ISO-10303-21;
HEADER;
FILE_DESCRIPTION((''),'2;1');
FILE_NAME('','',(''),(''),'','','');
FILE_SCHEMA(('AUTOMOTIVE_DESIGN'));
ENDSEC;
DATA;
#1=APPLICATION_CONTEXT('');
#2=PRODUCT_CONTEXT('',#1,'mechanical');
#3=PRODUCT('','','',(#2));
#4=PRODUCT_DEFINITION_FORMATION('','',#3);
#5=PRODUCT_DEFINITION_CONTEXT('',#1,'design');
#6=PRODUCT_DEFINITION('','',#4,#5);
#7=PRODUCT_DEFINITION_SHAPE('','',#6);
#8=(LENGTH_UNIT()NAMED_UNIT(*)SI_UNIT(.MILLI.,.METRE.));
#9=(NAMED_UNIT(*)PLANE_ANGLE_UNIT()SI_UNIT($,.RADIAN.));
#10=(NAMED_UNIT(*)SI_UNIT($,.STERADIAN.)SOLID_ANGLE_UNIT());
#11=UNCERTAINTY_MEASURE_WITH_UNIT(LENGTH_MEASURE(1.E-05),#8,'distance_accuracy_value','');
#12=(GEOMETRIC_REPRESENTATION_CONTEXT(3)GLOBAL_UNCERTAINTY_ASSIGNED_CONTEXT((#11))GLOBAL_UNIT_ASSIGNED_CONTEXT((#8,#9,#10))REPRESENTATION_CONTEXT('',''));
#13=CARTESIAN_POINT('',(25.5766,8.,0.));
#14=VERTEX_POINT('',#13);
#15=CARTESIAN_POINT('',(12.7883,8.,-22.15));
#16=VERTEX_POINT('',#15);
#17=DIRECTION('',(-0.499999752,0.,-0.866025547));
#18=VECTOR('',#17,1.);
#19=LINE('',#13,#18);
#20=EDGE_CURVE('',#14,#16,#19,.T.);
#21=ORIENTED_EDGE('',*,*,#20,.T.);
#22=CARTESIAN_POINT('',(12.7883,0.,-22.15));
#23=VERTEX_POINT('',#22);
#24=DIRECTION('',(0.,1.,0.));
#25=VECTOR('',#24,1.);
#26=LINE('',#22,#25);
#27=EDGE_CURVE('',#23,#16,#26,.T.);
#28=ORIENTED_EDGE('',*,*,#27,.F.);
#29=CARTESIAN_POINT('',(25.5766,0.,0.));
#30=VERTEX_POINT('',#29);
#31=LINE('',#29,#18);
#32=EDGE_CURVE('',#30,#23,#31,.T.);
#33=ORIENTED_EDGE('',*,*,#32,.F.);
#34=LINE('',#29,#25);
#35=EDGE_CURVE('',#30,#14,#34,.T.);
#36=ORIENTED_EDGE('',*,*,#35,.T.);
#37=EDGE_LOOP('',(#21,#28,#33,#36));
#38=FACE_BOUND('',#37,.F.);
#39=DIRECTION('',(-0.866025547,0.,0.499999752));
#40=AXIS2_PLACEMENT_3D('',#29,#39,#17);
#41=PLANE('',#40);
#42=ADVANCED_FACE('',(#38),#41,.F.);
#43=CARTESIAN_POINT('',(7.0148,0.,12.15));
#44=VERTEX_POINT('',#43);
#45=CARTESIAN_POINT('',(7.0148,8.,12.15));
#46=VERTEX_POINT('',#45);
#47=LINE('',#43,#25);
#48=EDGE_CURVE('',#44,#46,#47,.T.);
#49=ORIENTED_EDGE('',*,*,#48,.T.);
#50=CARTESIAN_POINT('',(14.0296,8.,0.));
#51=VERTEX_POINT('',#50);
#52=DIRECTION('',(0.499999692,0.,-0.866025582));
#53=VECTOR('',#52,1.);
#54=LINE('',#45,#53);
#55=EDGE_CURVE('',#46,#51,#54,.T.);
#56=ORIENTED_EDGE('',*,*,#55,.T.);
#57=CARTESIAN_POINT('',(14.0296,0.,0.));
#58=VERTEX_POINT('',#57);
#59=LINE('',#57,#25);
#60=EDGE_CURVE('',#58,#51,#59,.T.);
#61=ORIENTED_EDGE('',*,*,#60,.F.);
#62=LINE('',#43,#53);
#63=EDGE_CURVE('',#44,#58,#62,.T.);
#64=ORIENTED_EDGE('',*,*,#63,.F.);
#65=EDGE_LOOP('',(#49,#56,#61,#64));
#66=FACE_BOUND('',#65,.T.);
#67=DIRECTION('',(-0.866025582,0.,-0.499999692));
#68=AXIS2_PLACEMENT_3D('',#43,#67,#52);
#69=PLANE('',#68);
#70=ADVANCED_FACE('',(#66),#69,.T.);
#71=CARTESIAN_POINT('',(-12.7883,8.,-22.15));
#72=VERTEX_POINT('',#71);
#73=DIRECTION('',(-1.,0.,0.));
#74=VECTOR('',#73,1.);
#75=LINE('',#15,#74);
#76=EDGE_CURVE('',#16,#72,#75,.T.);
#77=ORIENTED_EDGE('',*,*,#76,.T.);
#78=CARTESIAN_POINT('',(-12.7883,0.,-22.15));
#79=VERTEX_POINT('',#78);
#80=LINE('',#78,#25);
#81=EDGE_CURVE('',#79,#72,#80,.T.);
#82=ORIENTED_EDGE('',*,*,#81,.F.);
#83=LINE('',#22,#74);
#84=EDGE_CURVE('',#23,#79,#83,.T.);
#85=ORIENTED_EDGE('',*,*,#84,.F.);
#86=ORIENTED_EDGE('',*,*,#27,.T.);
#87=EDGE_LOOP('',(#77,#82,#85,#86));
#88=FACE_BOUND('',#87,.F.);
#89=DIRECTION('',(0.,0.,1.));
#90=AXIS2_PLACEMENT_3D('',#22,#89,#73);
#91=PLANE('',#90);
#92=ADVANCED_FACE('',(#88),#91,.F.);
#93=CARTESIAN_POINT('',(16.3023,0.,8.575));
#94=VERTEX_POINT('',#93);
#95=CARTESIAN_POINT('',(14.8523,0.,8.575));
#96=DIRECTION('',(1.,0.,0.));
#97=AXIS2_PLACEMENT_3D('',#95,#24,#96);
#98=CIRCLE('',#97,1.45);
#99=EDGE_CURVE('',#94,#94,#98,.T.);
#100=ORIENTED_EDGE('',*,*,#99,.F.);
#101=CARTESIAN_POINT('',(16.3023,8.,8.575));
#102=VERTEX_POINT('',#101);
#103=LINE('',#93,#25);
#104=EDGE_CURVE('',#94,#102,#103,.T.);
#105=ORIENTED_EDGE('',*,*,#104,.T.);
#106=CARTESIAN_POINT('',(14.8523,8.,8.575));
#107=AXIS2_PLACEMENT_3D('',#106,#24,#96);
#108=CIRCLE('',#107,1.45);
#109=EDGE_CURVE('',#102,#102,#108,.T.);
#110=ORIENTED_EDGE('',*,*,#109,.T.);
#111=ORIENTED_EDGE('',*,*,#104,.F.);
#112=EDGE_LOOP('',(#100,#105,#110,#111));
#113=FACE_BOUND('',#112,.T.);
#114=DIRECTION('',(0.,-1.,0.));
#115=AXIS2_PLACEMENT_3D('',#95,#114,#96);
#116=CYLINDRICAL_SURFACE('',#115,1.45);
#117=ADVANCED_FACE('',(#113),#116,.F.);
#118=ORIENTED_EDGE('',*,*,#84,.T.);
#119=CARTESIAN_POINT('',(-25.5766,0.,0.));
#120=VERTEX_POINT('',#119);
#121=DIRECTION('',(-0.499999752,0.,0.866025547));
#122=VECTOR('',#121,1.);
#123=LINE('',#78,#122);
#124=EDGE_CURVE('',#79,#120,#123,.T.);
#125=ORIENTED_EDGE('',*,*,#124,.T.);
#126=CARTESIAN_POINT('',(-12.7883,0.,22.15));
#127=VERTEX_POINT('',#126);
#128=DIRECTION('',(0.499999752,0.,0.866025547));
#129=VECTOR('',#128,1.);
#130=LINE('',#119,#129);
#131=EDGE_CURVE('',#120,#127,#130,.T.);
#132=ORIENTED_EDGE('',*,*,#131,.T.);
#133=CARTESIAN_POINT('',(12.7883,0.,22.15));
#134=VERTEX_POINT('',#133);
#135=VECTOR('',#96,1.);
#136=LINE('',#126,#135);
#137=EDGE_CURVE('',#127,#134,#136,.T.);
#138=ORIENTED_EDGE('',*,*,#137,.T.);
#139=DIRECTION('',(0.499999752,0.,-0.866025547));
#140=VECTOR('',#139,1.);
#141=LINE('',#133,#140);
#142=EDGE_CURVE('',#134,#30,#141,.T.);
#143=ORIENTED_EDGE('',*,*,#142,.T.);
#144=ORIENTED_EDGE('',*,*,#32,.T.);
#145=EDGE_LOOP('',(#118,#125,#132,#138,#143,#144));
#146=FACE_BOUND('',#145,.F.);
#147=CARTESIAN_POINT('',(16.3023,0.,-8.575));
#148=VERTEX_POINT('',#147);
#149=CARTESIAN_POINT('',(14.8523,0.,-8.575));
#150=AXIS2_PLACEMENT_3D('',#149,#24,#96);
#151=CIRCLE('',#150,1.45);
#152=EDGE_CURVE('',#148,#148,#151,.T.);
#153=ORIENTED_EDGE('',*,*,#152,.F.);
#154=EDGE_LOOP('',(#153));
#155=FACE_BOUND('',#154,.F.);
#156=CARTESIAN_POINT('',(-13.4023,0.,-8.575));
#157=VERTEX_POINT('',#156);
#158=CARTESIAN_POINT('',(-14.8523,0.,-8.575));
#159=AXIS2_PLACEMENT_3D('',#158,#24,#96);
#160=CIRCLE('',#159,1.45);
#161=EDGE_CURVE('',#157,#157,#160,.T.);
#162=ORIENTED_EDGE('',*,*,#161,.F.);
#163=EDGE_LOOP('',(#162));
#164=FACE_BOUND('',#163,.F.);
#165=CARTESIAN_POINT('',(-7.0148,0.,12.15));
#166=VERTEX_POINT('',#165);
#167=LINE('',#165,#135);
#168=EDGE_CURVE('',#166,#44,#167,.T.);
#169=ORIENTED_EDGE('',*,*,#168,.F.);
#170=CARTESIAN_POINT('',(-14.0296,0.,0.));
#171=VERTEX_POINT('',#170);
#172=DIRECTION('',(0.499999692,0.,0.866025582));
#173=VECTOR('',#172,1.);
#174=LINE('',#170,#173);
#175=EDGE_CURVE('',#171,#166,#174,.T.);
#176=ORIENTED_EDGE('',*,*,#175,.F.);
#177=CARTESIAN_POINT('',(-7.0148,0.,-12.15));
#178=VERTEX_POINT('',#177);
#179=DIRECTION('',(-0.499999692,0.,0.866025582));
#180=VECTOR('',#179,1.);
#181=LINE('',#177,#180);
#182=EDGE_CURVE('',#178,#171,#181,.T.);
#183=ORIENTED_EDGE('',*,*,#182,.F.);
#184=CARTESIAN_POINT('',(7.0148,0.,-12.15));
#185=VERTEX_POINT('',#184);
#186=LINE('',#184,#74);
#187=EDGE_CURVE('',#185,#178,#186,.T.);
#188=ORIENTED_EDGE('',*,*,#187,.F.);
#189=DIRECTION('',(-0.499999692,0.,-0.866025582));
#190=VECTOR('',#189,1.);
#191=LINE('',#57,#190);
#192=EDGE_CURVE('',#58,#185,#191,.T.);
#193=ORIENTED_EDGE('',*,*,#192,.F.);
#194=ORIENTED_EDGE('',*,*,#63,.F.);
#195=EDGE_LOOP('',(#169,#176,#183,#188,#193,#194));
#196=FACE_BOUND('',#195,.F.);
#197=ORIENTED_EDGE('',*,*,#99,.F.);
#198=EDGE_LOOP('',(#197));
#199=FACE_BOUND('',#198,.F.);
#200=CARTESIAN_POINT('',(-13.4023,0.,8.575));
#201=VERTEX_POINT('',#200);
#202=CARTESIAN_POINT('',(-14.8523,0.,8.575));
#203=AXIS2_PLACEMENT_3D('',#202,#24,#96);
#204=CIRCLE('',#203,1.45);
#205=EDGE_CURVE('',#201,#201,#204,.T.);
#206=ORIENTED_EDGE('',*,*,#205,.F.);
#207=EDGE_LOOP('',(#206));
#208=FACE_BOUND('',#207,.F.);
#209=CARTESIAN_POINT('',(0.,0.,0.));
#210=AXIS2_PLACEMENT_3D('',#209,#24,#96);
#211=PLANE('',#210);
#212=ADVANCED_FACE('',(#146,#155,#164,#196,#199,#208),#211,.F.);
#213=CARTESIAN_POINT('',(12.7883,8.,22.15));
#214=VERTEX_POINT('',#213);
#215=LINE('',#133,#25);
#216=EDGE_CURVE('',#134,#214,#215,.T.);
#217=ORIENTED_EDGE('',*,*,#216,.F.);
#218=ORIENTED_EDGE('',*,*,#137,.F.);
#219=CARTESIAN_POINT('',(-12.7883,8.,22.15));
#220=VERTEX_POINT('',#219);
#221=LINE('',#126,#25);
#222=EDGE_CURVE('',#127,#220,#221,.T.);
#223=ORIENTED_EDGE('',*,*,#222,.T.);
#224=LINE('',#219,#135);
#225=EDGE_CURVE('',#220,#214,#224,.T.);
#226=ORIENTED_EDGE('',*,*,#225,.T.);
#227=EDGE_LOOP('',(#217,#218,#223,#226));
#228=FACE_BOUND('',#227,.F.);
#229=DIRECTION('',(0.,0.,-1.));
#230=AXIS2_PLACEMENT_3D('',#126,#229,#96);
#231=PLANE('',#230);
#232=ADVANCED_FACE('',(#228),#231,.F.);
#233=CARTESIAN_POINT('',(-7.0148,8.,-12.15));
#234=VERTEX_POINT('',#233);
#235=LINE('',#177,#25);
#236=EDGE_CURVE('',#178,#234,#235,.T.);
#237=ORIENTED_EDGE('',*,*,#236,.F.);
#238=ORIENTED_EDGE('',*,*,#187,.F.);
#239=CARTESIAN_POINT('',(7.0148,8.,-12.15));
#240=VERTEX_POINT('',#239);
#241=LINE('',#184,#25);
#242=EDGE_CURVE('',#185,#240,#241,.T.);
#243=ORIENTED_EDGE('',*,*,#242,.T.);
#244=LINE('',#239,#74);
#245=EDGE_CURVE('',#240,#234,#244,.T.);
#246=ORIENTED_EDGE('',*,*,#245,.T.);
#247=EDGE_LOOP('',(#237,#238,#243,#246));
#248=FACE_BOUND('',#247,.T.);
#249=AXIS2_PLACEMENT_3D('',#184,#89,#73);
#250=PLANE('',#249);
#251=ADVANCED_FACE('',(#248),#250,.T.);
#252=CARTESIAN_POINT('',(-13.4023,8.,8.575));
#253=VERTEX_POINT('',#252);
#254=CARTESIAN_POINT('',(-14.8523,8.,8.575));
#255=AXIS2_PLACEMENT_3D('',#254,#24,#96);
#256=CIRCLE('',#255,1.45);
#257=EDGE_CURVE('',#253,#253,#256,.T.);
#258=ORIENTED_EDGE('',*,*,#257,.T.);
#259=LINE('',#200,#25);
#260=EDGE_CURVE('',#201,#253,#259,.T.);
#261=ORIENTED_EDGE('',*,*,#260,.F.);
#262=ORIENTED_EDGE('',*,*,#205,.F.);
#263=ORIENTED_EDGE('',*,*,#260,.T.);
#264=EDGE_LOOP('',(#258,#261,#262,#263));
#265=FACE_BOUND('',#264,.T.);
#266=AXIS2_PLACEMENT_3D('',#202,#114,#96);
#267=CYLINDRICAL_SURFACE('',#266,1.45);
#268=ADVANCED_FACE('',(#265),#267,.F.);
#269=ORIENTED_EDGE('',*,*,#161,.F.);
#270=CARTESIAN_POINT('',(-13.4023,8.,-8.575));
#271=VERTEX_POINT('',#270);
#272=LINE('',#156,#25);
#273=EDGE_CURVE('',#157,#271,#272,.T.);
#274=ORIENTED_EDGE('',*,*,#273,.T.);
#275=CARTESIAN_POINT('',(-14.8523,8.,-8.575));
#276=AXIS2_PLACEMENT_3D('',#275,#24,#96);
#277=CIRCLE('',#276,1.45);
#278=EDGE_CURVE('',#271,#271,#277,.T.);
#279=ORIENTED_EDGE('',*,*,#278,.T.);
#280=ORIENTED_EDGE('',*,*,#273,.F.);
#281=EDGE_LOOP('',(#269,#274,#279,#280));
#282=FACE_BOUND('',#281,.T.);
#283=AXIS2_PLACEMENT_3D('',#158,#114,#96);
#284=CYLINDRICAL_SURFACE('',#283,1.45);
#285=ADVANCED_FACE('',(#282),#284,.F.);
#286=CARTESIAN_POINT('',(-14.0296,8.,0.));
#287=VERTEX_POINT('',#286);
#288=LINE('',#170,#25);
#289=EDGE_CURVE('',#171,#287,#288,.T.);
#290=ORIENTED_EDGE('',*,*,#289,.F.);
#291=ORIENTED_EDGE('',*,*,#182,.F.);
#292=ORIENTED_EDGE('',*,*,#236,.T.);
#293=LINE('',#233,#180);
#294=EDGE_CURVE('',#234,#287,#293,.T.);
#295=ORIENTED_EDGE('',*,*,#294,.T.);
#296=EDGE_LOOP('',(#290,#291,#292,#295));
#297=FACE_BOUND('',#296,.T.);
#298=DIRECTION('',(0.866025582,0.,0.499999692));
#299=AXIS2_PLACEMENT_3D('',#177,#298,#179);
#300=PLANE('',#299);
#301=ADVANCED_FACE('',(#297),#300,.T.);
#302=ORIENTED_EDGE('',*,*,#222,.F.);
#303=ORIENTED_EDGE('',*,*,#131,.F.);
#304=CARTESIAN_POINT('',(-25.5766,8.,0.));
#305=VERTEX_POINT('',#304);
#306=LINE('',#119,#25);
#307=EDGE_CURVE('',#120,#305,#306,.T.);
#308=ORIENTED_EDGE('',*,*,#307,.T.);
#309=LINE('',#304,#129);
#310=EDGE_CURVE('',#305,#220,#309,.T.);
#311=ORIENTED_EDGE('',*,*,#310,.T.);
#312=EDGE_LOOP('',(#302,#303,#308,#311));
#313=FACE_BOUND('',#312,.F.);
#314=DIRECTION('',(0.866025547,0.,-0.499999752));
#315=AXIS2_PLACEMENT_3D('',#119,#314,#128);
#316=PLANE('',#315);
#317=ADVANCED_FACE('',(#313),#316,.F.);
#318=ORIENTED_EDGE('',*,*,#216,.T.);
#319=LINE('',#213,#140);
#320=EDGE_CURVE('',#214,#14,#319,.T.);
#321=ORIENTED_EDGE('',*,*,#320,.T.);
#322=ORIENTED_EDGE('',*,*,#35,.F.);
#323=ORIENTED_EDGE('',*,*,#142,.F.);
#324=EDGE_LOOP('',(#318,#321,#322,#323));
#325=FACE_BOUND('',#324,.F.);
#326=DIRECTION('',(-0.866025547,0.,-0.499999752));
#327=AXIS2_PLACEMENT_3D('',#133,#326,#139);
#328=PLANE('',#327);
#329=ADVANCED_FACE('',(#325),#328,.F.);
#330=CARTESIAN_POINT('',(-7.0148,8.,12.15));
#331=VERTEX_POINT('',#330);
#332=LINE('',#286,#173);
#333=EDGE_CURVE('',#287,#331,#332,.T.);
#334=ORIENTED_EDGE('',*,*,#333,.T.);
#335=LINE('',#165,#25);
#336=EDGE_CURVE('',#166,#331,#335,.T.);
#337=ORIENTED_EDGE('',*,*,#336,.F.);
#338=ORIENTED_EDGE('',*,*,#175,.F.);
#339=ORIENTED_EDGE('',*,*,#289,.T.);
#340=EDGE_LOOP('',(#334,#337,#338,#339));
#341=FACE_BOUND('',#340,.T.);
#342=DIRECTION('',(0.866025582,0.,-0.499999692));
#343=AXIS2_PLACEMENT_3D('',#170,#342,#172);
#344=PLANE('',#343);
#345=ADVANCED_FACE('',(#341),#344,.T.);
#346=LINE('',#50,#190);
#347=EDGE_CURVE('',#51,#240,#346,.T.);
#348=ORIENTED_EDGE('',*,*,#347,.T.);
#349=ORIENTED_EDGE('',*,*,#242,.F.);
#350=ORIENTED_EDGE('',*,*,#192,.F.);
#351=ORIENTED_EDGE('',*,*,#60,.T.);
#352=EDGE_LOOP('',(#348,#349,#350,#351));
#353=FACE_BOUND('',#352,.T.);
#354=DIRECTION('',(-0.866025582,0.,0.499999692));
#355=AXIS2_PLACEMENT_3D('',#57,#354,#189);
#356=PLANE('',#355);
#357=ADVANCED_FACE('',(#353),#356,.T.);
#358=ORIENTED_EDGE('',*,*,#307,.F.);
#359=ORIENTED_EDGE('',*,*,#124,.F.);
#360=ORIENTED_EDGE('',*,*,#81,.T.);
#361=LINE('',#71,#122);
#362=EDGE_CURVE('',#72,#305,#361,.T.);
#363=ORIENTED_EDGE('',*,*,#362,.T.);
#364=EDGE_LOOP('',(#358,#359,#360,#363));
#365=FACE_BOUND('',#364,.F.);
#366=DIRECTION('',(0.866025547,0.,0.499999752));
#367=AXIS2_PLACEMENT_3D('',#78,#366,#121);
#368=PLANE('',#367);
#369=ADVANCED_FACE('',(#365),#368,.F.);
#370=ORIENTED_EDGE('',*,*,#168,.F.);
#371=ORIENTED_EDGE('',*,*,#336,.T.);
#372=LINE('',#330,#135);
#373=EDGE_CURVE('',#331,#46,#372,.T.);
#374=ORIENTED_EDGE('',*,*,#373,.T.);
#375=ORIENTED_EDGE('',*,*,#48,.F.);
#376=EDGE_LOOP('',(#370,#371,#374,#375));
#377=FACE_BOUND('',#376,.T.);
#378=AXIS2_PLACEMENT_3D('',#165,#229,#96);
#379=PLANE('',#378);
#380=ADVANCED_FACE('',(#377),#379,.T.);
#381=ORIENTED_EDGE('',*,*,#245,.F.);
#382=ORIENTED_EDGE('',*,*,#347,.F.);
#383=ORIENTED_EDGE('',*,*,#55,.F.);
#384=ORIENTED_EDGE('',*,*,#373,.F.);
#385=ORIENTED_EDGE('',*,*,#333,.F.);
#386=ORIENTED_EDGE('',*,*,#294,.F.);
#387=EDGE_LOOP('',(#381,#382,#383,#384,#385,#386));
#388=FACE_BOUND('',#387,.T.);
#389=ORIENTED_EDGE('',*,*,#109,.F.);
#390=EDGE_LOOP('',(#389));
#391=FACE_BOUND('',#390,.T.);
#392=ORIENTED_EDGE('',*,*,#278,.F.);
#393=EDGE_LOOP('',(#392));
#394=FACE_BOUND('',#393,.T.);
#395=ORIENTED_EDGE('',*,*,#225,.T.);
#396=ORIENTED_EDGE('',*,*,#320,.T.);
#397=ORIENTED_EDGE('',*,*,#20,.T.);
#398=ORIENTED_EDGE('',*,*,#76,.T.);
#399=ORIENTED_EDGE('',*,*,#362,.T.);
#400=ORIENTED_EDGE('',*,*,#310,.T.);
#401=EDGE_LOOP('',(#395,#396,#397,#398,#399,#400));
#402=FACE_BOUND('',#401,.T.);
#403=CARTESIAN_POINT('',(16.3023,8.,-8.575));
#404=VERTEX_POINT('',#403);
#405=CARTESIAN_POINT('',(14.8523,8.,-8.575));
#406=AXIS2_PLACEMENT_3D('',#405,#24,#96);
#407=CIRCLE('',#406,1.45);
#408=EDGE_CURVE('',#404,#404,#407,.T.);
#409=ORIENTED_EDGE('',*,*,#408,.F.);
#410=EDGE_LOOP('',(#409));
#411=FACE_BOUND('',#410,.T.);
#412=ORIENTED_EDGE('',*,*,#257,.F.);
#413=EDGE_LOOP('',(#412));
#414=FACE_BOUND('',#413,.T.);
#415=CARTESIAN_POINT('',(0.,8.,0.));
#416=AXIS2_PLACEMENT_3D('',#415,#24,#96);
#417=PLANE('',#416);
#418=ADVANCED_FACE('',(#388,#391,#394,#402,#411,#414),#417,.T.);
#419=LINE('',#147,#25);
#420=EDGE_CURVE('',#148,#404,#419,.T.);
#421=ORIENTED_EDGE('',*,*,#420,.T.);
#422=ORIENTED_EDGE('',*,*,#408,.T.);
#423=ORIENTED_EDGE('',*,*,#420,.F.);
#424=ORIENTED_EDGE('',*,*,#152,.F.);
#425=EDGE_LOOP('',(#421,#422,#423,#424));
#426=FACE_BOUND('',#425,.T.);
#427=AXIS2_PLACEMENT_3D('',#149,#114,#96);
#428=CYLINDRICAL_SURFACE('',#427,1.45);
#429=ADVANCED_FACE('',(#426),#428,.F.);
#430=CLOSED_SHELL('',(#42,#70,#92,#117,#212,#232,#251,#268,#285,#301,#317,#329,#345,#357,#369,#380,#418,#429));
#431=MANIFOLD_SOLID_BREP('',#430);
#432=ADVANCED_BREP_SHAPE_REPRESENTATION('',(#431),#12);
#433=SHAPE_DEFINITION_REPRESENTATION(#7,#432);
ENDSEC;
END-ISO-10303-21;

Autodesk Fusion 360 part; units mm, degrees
sketch "Spacer" plane through (0, 0, 0) normal (0, 1, 0) x (1, 0, 0)
  line L0 (7.0148, 12.15) -> (-7.0148, 12.15)
  line L1 (-7.0148, 12.15) -> (-14.0296, 0)
  line L2 (-14.0296, 0) -> (-7.0148, -12.15)
  line L3 (-7.0148, -12.15) -> (7.0148, -12.15)
  line L4 (7.0148, -12.15) -> (14.0296, 0)
  line L5 (14.0296, 0) -> (7.0148, 12.15)
  line L6 (-12.7883, 22.15) -> (-25.5766, 0)
  line L7 (-25.5766, 0) -> (-12.7883, -22.15)
  line L8 (-12.7883, -22.15) -> (12.7883, -22.15)
  line L9 (12.7883, -22.15) -> (25.5766, 0)
  line L10 (25.5766, 0) -> (12.7883, 22.15)
  line L11 (12.7883, 22.15) -> (-12.7883, 22.15)
  line L12 (-19.1825, 11.075) -> (-10.5222, 6.075) construction
  line L13 (10.5222, 6.075) -> (19.1825, 11.075) construction
  line L14 (10.5222, -6.075) -> (19.1825, -11.075) construction
  line L15 (-10.5222, -6.075) -> (-19.1825, -11.075) construction
  circle A0 centre (-14.8523, 8.575) radius 1.45
  circle A1 centre (14.8523, 8.575) radius 1.45
  circle A2 centre (14.8523, -8.575) radius 1.45
  circle A3 centre (-14.8523, -8.575) radius 1.45
  dimension "d2" = 12.15
  dimension "d3" = 10
  dimension "d5" = 2.9
  dimension "d6" = 2.9
  dimension "d7" = 2.9
  dimension "d8" = 2.9
extrude "Extrude1" add sketch "Spacer" along normal blind 8
sketch "Lock nut hole" plane through (0, 0, 0) normal (0, 1, 0) x (1, 0, 0)
  line L0 (-11.6192, 8.575) -> (-13.2358, 11.375)
  line L1 (-13.2358, 11.375) -> (-16.4689, 11.375)
  line L2 (-16.4689, 11.375) -> (-18.0855, 8.575)
  line L3 (-18.0855, 8.575) -> (-16.4689, 5.775)
  line L4 (-16.4689, 5.775) -> (-13.2358, 5.775)
  line L5 (-13.2358, 5.775) -> (-11.6192, 8.575)
  line L6 (16.4689, 11.375) -> (13.2358, 11.375)
  line L7 (13.2358, 11.375) -> (11.6192, 8.575)
  line L8 (11.6192, 8.575) -> (13.2358, 5.775)
  line L9 (13.2358, 5.775) -> (16.4689, 5.775)
  line L10 (16.4689, 5.775) -> (18.0855, 8.575)
  line L11 (18.0855, 8.575) -> (16.4689, 11.375)
  line L12 (16.4689, -5.775) -> (13.2358, -5.775)
  line L13 (13.2358, -5.775) -> (11.6192, -8.575)
  line L14 (11.6192, -8.575) -> (13.2358, -11.375)
  line L15 (13.2358, -11.375) -> (16.4689, -11.375)
  line L16 (16.4689, -11.375) -> (18.0855, -8.575)
  line L17 (18.0855, -8.575) -> (16.4689, -5.775)
  line L18 (-11.6192, -8.575) -> (-13.2358, -5.775)
  line L19 (-13.2358, -5.775) -> (-16.4689, -5.775)
  line L20 (-16.4689, -5.775) -> (-18.0855, -8.575)
  line L21 (-18.0855, -8.575) -> (-16.4689, -11.375)
  line L22 (-16.4689, -11.375) -> (-13.2358, -11.375)
  line L23 (-13.2358, -11.375) -> (-11.6192, -8.575)
  line L24 (-19.1825, 11.075) -> (-10.5222, 6.075)
  line L25 (10.5222, 6.075) -> (19.1825, 11.075)
  line L26 (-10.5222, -6.075) -> (-19.1825, -11.075)
  line L27 (10.5222, -6.075) -> (19.1825, -11.075)
  point P0 (-14.8523, 8.575)
  point P1 (14.8523, 8.575)
  point P2 (14.8523, -8.575)
  point P3 (-14.8523, -8.575)
  dimension "d11" = 2.8
  dimension "d12" = 2.8
  dimension "d13" = 2.8
  dimension "d14" = 2.8
extrude "Extrude2" [suppressed]
move_body "Move1" [suppressed]
